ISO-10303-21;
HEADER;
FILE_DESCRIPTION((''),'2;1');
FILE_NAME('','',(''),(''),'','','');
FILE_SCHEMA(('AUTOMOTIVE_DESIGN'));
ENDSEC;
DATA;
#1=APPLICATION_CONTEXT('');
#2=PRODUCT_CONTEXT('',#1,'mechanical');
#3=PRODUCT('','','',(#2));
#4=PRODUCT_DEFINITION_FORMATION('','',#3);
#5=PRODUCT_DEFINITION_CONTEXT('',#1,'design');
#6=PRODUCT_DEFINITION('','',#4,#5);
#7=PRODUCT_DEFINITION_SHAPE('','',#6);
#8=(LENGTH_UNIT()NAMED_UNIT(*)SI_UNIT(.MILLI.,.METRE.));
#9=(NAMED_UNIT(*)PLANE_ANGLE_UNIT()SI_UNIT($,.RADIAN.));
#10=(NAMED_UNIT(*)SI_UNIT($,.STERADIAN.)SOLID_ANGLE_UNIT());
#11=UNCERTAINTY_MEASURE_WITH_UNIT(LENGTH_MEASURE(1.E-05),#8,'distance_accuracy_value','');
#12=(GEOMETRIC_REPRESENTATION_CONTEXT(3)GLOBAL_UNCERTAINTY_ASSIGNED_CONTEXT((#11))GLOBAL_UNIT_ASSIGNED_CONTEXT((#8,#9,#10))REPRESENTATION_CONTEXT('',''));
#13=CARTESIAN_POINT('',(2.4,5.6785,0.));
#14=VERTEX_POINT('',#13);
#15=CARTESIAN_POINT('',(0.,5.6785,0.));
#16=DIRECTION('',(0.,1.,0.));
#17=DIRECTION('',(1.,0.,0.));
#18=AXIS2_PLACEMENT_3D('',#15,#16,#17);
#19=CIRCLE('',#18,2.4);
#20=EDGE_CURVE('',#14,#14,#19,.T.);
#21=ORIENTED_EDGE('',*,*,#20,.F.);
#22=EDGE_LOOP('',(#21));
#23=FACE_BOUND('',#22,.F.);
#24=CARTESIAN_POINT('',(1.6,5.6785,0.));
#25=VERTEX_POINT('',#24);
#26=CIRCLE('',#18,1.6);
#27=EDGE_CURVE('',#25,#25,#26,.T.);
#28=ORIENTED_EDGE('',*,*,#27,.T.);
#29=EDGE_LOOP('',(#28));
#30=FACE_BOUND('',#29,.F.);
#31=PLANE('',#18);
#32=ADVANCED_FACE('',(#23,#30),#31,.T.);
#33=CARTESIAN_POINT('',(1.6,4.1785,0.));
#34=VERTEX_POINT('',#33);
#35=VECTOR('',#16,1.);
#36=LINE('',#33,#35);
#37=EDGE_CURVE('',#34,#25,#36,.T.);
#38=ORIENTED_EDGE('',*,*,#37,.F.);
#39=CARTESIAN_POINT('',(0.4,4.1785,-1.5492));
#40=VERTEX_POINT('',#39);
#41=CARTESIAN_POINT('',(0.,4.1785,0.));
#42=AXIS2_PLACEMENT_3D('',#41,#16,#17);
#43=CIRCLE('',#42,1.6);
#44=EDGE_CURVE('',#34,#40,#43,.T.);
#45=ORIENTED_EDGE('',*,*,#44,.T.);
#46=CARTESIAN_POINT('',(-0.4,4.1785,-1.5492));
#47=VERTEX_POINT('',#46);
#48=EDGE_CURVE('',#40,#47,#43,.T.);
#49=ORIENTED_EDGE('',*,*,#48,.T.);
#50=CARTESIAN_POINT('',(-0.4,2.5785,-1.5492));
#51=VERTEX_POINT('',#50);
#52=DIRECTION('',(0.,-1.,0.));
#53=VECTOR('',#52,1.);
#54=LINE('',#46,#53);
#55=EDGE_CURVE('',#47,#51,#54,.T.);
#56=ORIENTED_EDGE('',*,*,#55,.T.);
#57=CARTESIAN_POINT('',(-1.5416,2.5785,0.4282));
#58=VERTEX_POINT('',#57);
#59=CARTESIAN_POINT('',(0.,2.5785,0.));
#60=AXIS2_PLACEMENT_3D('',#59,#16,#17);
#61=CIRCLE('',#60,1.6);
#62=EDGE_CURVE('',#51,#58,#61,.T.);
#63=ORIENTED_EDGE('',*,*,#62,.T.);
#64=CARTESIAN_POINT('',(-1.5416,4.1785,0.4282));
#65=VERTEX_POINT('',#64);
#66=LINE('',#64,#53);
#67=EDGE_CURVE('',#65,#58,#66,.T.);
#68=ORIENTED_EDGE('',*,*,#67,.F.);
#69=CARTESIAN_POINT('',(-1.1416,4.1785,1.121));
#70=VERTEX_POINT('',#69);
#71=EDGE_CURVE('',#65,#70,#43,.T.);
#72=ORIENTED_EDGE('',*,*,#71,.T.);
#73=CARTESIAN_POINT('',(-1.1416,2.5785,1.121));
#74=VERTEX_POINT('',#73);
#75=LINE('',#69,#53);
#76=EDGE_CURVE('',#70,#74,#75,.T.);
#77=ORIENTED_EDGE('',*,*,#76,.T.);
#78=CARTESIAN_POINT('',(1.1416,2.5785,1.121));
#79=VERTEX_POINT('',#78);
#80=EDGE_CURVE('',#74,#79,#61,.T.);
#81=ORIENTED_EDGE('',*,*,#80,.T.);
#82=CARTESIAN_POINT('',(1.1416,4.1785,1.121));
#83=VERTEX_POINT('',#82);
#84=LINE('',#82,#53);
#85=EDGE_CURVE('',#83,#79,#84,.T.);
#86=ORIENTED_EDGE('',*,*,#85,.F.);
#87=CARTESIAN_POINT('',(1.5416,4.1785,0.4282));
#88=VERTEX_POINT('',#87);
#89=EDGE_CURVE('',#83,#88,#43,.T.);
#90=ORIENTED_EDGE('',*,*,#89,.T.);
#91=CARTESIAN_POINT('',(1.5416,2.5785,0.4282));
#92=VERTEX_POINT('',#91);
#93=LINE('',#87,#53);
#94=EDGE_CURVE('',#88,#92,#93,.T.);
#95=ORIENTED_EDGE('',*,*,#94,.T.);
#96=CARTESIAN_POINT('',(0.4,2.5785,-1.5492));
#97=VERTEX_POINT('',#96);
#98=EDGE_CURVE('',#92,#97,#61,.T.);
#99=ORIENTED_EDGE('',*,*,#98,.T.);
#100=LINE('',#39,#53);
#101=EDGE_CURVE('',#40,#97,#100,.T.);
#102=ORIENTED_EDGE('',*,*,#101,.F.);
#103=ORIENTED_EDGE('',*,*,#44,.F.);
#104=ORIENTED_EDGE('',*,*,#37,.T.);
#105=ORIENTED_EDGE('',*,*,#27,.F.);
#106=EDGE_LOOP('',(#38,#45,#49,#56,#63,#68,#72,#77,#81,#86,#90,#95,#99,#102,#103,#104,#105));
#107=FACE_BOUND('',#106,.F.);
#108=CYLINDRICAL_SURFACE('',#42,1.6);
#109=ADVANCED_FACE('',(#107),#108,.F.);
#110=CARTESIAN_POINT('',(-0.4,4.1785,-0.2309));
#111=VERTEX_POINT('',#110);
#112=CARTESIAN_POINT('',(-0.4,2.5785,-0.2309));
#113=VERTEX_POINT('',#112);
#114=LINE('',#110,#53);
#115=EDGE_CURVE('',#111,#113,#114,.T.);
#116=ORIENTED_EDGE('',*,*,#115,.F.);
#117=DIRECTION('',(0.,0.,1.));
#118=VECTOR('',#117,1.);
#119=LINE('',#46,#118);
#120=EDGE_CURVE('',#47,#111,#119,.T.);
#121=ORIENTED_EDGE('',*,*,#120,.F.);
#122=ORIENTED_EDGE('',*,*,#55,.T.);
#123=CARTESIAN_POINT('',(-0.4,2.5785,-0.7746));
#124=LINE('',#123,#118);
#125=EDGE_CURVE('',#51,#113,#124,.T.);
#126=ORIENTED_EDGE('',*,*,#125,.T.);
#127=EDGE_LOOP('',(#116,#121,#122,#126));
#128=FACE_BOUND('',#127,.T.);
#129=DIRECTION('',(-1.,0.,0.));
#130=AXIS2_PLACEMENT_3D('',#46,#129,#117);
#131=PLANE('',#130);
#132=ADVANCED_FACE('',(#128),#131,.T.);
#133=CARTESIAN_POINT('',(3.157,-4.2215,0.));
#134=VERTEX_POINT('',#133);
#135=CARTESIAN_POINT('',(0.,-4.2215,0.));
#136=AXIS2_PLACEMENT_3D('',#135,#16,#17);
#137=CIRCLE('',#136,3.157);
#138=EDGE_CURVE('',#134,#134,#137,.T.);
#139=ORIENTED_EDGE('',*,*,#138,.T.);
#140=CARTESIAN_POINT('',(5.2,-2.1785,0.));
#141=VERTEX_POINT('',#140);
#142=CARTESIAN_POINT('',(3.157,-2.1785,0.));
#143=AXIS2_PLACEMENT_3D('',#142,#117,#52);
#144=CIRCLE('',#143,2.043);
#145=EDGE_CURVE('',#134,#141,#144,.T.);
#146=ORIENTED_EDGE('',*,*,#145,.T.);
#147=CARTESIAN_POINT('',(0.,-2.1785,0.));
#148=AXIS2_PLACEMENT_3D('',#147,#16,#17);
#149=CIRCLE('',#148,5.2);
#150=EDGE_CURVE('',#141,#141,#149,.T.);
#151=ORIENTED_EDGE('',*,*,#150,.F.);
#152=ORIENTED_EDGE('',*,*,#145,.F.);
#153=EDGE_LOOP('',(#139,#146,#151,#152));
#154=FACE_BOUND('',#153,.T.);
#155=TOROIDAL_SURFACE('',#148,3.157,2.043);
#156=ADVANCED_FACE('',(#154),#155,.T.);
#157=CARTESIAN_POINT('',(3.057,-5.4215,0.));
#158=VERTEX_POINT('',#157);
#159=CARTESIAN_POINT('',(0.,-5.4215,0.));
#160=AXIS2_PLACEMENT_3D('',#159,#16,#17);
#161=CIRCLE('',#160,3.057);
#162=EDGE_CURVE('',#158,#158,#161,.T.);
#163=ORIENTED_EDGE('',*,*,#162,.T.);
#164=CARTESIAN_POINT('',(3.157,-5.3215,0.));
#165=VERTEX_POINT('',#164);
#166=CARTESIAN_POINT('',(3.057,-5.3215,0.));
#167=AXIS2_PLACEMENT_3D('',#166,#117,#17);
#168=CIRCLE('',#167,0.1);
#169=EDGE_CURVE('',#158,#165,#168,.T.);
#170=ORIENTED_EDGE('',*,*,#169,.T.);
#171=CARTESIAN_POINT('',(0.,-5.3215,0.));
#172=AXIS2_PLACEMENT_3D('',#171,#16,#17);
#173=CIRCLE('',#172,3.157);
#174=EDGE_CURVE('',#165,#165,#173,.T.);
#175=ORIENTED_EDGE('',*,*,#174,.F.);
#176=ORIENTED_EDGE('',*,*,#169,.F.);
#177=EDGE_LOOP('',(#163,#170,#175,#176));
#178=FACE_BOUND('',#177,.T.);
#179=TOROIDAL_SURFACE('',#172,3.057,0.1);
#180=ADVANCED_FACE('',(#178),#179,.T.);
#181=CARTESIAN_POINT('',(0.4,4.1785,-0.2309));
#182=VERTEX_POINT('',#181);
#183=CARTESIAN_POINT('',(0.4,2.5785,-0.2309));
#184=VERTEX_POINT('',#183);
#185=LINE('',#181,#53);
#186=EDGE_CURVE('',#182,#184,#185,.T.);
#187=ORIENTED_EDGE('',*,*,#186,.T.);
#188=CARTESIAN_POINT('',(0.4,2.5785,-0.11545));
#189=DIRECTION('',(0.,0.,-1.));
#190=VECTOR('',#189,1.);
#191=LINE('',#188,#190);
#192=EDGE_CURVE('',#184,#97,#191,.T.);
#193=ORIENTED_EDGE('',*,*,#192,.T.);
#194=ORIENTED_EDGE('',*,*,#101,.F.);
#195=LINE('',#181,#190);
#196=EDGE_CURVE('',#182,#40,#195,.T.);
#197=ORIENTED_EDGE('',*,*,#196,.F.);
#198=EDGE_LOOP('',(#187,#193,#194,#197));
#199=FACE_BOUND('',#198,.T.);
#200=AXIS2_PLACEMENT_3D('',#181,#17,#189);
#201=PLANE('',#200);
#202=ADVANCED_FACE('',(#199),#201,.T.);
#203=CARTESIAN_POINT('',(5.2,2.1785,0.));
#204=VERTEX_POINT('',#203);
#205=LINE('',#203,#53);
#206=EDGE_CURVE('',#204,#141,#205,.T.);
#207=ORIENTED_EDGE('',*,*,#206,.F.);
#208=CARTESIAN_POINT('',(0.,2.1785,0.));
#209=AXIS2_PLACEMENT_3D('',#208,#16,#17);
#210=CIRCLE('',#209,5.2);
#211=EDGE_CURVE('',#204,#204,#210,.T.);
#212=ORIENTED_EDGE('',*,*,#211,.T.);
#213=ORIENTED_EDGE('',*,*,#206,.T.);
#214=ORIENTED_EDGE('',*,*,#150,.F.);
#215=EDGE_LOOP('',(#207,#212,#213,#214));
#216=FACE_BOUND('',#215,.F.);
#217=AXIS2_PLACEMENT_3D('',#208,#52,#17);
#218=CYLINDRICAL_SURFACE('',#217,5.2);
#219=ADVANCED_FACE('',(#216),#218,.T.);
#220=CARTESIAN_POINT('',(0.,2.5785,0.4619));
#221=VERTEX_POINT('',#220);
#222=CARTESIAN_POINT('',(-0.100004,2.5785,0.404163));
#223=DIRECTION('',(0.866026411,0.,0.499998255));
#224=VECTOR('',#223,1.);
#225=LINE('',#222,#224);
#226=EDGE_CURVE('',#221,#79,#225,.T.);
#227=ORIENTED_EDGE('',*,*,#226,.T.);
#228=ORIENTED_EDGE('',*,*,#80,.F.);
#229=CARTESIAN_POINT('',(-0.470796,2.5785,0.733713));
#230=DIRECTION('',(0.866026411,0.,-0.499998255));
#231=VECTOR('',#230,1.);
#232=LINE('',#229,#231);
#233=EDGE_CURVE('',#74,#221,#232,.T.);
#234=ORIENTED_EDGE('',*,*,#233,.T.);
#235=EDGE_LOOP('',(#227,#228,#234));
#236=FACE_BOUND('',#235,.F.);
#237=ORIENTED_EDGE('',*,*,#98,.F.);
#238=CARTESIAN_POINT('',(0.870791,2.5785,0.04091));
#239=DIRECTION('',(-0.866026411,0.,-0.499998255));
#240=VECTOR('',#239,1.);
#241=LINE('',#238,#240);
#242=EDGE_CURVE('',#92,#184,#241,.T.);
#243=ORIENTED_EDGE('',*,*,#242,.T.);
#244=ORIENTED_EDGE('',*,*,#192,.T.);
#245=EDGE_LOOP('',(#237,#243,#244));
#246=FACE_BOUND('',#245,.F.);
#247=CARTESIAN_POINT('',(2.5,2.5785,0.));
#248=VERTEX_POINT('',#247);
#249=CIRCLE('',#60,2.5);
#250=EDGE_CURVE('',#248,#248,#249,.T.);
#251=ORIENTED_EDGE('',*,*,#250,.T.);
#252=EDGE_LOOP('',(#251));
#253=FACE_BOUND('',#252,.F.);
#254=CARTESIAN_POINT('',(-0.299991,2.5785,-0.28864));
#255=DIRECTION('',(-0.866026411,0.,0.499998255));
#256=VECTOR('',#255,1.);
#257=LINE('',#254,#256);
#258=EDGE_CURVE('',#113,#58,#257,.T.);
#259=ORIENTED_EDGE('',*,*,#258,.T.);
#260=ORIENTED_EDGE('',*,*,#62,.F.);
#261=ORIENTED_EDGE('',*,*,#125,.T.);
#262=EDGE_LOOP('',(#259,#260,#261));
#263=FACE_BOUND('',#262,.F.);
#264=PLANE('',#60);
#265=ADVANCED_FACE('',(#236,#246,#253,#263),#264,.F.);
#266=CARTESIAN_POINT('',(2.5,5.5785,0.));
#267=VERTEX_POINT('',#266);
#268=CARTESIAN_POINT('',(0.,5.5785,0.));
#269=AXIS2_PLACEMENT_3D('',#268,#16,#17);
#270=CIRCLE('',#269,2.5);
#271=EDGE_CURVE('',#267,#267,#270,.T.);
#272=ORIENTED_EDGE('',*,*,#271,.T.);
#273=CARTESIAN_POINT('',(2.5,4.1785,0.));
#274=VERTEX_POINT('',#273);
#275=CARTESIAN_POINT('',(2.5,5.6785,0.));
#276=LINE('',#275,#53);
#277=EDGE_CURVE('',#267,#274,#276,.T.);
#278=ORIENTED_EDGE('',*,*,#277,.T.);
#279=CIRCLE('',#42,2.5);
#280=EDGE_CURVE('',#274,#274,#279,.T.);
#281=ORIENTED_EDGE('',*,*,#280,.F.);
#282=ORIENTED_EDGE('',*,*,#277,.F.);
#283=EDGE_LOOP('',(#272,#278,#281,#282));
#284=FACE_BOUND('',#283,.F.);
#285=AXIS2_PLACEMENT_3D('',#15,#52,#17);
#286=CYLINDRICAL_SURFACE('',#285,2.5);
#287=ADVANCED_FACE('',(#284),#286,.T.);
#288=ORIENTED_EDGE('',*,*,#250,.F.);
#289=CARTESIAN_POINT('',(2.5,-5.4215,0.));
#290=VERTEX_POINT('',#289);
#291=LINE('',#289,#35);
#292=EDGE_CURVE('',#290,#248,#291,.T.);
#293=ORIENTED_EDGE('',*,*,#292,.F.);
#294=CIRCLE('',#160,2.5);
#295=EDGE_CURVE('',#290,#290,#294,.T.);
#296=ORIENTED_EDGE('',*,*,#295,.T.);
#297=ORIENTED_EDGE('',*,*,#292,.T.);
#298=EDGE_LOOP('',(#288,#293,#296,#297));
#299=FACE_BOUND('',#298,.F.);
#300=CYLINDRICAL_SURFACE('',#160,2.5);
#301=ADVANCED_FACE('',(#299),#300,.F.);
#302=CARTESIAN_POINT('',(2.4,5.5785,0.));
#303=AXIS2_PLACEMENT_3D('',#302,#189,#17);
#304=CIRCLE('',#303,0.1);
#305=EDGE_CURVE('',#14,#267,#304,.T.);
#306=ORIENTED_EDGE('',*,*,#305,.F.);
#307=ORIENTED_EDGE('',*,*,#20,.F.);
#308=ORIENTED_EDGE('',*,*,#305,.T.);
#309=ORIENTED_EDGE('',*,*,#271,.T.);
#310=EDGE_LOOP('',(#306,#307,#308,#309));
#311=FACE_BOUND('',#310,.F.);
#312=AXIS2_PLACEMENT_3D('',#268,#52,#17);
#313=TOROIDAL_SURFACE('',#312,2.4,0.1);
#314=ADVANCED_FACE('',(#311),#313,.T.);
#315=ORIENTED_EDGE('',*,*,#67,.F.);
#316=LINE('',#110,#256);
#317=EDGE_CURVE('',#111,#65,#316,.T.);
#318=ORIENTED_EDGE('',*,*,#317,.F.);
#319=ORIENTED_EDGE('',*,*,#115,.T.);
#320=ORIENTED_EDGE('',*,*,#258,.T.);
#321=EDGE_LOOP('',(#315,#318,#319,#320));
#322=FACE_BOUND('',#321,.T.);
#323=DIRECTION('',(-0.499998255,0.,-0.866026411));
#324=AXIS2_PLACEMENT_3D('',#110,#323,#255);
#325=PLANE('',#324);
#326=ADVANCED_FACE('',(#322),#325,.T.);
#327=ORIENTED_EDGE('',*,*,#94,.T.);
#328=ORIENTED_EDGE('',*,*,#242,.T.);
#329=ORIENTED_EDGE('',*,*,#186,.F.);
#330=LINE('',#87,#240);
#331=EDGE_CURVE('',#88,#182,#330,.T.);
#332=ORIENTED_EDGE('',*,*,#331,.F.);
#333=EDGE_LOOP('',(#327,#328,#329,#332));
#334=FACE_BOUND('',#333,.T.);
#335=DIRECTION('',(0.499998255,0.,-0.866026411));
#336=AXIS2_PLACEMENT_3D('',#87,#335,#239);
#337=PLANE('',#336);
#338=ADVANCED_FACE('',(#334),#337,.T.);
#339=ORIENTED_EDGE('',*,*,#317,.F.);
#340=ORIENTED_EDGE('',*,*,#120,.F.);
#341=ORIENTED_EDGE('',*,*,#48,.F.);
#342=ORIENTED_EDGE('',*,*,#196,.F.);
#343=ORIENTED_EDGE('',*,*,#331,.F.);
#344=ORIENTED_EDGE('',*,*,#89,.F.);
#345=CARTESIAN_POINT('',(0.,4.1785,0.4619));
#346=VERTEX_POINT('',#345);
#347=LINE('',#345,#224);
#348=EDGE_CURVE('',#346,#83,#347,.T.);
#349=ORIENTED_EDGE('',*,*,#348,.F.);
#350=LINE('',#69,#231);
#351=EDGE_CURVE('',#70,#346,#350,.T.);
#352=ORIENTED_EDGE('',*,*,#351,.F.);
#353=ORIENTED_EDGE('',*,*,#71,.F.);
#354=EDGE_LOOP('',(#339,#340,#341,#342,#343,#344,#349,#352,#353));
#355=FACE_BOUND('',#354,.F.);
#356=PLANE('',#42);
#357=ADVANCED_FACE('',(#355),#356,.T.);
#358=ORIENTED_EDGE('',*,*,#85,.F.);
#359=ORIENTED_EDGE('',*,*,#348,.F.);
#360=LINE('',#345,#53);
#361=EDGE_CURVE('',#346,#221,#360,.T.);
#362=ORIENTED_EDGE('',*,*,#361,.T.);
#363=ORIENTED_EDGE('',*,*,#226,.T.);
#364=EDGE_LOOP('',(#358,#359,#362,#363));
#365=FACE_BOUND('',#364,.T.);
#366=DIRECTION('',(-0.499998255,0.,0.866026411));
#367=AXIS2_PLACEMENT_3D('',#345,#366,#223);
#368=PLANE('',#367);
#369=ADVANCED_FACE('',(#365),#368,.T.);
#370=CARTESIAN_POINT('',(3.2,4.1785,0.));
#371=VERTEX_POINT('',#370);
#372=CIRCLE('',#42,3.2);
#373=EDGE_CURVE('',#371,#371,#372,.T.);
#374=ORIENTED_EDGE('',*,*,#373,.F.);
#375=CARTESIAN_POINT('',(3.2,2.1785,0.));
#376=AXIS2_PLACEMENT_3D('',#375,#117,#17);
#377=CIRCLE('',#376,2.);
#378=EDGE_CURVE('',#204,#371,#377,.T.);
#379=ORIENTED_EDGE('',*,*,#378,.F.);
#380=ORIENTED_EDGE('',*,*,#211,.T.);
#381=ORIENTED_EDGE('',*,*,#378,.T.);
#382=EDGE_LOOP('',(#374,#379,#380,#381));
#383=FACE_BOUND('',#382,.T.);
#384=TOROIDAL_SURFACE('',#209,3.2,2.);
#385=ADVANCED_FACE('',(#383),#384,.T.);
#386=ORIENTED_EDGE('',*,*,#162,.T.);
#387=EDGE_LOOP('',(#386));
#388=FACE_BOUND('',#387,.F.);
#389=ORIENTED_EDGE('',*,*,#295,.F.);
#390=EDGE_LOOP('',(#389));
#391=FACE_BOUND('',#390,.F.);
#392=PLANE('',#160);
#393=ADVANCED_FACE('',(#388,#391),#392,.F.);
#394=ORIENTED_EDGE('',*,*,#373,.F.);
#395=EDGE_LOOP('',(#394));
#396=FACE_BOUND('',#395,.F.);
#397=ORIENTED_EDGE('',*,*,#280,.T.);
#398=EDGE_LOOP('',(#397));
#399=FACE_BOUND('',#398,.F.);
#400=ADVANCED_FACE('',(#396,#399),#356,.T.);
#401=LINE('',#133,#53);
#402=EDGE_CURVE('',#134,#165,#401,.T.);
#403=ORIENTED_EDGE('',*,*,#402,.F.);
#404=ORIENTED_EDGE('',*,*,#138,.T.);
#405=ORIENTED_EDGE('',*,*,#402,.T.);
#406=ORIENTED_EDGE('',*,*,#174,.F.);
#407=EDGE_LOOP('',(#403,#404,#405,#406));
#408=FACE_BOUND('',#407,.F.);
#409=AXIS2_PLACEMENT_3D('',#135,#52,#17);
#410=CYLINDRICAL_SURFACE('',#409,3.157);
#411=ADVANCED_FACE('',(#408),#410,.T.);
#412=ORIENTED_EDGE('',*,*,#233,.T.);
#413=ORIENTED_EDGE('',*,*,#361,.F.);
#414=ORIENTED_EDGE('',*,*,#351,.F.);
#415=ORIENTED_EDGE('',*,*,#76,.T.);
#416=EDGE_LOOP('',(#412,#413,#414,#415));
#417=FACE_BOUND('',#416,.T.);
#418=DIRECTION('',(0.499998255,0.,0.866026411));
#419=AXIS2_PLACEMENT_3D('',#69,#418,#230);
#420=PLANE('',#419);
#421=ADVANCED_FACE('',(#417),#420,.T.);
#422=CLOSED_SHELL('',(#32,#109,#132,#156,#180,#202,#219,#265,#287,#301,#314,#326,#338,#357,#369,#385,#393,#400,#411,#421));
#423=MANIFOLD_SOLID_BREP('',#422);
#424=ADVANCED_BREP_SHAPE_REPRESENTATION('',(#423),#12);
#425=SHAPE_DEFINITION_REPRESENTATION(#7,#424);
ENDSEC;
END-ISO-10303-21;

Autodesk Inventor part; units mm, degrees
ref_plane "XZ Plane" through (0, 0, 0) normal (0, 1, 0) x (-1, 0, 0)
sketch "Sketch2" plane through (0, 0, 0) normal (0, 0, 1) x (1, 0, 0)
  line L0 (0, 4.1785) -> (1.6, 4.1785)
  line L1 (1.6, 4.1785) -> (1.6, 5.6785)
  line L2 (1.6, 5.6785) -> (2.5, 5.6785)
  line L3 (2.5, 5.6785) -> (2.5, 4.1785)
  line L4 (2.5, 4.1785) -> (3.2, 4.1785)
  arc A0 (5.2, 2.1785) -> (3.2, 4.1785) centre (3.2, 2.1785) ccw
  line L5 (5.2, 2.1785) -> (5.2, -2.1785)
  arc A1 (3.157, -4.2215) -> (5.2, -2.1785) centre (3.157, -2.1785) ccw
  line L6 (3.157, -4.2215) -> (3.157, -5.4215)
  line L7 (3.157, -5.4215) -> (2.5, -5.4215)
  line L8 (2.5, -5.4215) -> (2.5, 2.5785)
  line L9 (2.5, 2.5785) -> (0, 2.5785)
  line L10 (0, 2.5785) -> (0, 4.1785)
  point P0 (0, 0)
  point P1 (5.2, 0)
  dimension "d0" = 5
  dimension "d1" = 3.2
  dimension "d2" = 1.5
  dimension "d3" = 2
  dimension "d4" = 10.4
  dimension "d6" = 6.314
  dimension "d7" = 1.2
  dimension "d8" = 8
  dimension "d23" = 9.6
revolve "Revolution1" add sketch "Sketch2" angle 360 about axis through (0, 2.5785, 0) along (0, 1, 0)
sketch "Sketch3" plane through (0, 4.1785, 0) normal (0, 1, 0) x (1, 0, 0)
  circle A0 centre (0, 0) radius 1.6 projected
  line L0 (-0.4, 1.5492) -> (-0.4, 0.2309)
  line L1 (-0.4, 0.2309) -> (-1.5416, -0.4282)
  line L2 (-1.1416, -1.121) -> (0, -0.4619)
  line L3 (0, -0.4619) -> (1.1416, -1.121)
  line L4 (1.5416, -0.4282) -> (0.4, 0.2309)
  line L5 (0.4, 0.2309) -> (0.4, 1.5492)
  dimension "d10" = 120
  dimension "d11" = 0.8
extrude "Extrusion1" cut sketch "Sketch3" against normal through all contours A0 L4 L5 | L0 L1 A0 | A0 L2 L3
fillet "Fillet1" radius 0.1 2 edges at (-2.5, 5.6785, 0) (-3.157, -5.4215, 0)
ref_plane "Work Plane1" through (5.2, 0, 0) normal (1, 0, 0) x (0, 1, 0)
ref_plane "Work Plane2" through (0, 0, 5.2) normal (0, 0, 1) x (1, 0, 0)
sketch "Sketch5" plane through (0, 0, 5.2) normal (0, 0, 1) x (1, 0, 0)
  line L0 (-5.2, 2.1785) -> (5.2, 2.1785) construction
  line L1 (-5.2, -2.1785) -> (5.2, -2.1785) construction
  line L2 (-5.8921, 2.1785) -> (5.8921, 2.1785) construction
  line L3 (5.8921, 2.1785) -> (5.8921, -2.1785) construction
  line L4 (5.8921, -2.1785) -> (-5.8921, -2.1785) construction
  line L5 (-5.8921, -2.1785) -> (-5.8921, 2.1785) construction
  point P0 (0, 0)
  point P1 (0, 2.1785)
decal "Decal2"
properties part number "X02598_LEGOmini_Head_Y_Original_NoPara" material "ABS Plastic"
